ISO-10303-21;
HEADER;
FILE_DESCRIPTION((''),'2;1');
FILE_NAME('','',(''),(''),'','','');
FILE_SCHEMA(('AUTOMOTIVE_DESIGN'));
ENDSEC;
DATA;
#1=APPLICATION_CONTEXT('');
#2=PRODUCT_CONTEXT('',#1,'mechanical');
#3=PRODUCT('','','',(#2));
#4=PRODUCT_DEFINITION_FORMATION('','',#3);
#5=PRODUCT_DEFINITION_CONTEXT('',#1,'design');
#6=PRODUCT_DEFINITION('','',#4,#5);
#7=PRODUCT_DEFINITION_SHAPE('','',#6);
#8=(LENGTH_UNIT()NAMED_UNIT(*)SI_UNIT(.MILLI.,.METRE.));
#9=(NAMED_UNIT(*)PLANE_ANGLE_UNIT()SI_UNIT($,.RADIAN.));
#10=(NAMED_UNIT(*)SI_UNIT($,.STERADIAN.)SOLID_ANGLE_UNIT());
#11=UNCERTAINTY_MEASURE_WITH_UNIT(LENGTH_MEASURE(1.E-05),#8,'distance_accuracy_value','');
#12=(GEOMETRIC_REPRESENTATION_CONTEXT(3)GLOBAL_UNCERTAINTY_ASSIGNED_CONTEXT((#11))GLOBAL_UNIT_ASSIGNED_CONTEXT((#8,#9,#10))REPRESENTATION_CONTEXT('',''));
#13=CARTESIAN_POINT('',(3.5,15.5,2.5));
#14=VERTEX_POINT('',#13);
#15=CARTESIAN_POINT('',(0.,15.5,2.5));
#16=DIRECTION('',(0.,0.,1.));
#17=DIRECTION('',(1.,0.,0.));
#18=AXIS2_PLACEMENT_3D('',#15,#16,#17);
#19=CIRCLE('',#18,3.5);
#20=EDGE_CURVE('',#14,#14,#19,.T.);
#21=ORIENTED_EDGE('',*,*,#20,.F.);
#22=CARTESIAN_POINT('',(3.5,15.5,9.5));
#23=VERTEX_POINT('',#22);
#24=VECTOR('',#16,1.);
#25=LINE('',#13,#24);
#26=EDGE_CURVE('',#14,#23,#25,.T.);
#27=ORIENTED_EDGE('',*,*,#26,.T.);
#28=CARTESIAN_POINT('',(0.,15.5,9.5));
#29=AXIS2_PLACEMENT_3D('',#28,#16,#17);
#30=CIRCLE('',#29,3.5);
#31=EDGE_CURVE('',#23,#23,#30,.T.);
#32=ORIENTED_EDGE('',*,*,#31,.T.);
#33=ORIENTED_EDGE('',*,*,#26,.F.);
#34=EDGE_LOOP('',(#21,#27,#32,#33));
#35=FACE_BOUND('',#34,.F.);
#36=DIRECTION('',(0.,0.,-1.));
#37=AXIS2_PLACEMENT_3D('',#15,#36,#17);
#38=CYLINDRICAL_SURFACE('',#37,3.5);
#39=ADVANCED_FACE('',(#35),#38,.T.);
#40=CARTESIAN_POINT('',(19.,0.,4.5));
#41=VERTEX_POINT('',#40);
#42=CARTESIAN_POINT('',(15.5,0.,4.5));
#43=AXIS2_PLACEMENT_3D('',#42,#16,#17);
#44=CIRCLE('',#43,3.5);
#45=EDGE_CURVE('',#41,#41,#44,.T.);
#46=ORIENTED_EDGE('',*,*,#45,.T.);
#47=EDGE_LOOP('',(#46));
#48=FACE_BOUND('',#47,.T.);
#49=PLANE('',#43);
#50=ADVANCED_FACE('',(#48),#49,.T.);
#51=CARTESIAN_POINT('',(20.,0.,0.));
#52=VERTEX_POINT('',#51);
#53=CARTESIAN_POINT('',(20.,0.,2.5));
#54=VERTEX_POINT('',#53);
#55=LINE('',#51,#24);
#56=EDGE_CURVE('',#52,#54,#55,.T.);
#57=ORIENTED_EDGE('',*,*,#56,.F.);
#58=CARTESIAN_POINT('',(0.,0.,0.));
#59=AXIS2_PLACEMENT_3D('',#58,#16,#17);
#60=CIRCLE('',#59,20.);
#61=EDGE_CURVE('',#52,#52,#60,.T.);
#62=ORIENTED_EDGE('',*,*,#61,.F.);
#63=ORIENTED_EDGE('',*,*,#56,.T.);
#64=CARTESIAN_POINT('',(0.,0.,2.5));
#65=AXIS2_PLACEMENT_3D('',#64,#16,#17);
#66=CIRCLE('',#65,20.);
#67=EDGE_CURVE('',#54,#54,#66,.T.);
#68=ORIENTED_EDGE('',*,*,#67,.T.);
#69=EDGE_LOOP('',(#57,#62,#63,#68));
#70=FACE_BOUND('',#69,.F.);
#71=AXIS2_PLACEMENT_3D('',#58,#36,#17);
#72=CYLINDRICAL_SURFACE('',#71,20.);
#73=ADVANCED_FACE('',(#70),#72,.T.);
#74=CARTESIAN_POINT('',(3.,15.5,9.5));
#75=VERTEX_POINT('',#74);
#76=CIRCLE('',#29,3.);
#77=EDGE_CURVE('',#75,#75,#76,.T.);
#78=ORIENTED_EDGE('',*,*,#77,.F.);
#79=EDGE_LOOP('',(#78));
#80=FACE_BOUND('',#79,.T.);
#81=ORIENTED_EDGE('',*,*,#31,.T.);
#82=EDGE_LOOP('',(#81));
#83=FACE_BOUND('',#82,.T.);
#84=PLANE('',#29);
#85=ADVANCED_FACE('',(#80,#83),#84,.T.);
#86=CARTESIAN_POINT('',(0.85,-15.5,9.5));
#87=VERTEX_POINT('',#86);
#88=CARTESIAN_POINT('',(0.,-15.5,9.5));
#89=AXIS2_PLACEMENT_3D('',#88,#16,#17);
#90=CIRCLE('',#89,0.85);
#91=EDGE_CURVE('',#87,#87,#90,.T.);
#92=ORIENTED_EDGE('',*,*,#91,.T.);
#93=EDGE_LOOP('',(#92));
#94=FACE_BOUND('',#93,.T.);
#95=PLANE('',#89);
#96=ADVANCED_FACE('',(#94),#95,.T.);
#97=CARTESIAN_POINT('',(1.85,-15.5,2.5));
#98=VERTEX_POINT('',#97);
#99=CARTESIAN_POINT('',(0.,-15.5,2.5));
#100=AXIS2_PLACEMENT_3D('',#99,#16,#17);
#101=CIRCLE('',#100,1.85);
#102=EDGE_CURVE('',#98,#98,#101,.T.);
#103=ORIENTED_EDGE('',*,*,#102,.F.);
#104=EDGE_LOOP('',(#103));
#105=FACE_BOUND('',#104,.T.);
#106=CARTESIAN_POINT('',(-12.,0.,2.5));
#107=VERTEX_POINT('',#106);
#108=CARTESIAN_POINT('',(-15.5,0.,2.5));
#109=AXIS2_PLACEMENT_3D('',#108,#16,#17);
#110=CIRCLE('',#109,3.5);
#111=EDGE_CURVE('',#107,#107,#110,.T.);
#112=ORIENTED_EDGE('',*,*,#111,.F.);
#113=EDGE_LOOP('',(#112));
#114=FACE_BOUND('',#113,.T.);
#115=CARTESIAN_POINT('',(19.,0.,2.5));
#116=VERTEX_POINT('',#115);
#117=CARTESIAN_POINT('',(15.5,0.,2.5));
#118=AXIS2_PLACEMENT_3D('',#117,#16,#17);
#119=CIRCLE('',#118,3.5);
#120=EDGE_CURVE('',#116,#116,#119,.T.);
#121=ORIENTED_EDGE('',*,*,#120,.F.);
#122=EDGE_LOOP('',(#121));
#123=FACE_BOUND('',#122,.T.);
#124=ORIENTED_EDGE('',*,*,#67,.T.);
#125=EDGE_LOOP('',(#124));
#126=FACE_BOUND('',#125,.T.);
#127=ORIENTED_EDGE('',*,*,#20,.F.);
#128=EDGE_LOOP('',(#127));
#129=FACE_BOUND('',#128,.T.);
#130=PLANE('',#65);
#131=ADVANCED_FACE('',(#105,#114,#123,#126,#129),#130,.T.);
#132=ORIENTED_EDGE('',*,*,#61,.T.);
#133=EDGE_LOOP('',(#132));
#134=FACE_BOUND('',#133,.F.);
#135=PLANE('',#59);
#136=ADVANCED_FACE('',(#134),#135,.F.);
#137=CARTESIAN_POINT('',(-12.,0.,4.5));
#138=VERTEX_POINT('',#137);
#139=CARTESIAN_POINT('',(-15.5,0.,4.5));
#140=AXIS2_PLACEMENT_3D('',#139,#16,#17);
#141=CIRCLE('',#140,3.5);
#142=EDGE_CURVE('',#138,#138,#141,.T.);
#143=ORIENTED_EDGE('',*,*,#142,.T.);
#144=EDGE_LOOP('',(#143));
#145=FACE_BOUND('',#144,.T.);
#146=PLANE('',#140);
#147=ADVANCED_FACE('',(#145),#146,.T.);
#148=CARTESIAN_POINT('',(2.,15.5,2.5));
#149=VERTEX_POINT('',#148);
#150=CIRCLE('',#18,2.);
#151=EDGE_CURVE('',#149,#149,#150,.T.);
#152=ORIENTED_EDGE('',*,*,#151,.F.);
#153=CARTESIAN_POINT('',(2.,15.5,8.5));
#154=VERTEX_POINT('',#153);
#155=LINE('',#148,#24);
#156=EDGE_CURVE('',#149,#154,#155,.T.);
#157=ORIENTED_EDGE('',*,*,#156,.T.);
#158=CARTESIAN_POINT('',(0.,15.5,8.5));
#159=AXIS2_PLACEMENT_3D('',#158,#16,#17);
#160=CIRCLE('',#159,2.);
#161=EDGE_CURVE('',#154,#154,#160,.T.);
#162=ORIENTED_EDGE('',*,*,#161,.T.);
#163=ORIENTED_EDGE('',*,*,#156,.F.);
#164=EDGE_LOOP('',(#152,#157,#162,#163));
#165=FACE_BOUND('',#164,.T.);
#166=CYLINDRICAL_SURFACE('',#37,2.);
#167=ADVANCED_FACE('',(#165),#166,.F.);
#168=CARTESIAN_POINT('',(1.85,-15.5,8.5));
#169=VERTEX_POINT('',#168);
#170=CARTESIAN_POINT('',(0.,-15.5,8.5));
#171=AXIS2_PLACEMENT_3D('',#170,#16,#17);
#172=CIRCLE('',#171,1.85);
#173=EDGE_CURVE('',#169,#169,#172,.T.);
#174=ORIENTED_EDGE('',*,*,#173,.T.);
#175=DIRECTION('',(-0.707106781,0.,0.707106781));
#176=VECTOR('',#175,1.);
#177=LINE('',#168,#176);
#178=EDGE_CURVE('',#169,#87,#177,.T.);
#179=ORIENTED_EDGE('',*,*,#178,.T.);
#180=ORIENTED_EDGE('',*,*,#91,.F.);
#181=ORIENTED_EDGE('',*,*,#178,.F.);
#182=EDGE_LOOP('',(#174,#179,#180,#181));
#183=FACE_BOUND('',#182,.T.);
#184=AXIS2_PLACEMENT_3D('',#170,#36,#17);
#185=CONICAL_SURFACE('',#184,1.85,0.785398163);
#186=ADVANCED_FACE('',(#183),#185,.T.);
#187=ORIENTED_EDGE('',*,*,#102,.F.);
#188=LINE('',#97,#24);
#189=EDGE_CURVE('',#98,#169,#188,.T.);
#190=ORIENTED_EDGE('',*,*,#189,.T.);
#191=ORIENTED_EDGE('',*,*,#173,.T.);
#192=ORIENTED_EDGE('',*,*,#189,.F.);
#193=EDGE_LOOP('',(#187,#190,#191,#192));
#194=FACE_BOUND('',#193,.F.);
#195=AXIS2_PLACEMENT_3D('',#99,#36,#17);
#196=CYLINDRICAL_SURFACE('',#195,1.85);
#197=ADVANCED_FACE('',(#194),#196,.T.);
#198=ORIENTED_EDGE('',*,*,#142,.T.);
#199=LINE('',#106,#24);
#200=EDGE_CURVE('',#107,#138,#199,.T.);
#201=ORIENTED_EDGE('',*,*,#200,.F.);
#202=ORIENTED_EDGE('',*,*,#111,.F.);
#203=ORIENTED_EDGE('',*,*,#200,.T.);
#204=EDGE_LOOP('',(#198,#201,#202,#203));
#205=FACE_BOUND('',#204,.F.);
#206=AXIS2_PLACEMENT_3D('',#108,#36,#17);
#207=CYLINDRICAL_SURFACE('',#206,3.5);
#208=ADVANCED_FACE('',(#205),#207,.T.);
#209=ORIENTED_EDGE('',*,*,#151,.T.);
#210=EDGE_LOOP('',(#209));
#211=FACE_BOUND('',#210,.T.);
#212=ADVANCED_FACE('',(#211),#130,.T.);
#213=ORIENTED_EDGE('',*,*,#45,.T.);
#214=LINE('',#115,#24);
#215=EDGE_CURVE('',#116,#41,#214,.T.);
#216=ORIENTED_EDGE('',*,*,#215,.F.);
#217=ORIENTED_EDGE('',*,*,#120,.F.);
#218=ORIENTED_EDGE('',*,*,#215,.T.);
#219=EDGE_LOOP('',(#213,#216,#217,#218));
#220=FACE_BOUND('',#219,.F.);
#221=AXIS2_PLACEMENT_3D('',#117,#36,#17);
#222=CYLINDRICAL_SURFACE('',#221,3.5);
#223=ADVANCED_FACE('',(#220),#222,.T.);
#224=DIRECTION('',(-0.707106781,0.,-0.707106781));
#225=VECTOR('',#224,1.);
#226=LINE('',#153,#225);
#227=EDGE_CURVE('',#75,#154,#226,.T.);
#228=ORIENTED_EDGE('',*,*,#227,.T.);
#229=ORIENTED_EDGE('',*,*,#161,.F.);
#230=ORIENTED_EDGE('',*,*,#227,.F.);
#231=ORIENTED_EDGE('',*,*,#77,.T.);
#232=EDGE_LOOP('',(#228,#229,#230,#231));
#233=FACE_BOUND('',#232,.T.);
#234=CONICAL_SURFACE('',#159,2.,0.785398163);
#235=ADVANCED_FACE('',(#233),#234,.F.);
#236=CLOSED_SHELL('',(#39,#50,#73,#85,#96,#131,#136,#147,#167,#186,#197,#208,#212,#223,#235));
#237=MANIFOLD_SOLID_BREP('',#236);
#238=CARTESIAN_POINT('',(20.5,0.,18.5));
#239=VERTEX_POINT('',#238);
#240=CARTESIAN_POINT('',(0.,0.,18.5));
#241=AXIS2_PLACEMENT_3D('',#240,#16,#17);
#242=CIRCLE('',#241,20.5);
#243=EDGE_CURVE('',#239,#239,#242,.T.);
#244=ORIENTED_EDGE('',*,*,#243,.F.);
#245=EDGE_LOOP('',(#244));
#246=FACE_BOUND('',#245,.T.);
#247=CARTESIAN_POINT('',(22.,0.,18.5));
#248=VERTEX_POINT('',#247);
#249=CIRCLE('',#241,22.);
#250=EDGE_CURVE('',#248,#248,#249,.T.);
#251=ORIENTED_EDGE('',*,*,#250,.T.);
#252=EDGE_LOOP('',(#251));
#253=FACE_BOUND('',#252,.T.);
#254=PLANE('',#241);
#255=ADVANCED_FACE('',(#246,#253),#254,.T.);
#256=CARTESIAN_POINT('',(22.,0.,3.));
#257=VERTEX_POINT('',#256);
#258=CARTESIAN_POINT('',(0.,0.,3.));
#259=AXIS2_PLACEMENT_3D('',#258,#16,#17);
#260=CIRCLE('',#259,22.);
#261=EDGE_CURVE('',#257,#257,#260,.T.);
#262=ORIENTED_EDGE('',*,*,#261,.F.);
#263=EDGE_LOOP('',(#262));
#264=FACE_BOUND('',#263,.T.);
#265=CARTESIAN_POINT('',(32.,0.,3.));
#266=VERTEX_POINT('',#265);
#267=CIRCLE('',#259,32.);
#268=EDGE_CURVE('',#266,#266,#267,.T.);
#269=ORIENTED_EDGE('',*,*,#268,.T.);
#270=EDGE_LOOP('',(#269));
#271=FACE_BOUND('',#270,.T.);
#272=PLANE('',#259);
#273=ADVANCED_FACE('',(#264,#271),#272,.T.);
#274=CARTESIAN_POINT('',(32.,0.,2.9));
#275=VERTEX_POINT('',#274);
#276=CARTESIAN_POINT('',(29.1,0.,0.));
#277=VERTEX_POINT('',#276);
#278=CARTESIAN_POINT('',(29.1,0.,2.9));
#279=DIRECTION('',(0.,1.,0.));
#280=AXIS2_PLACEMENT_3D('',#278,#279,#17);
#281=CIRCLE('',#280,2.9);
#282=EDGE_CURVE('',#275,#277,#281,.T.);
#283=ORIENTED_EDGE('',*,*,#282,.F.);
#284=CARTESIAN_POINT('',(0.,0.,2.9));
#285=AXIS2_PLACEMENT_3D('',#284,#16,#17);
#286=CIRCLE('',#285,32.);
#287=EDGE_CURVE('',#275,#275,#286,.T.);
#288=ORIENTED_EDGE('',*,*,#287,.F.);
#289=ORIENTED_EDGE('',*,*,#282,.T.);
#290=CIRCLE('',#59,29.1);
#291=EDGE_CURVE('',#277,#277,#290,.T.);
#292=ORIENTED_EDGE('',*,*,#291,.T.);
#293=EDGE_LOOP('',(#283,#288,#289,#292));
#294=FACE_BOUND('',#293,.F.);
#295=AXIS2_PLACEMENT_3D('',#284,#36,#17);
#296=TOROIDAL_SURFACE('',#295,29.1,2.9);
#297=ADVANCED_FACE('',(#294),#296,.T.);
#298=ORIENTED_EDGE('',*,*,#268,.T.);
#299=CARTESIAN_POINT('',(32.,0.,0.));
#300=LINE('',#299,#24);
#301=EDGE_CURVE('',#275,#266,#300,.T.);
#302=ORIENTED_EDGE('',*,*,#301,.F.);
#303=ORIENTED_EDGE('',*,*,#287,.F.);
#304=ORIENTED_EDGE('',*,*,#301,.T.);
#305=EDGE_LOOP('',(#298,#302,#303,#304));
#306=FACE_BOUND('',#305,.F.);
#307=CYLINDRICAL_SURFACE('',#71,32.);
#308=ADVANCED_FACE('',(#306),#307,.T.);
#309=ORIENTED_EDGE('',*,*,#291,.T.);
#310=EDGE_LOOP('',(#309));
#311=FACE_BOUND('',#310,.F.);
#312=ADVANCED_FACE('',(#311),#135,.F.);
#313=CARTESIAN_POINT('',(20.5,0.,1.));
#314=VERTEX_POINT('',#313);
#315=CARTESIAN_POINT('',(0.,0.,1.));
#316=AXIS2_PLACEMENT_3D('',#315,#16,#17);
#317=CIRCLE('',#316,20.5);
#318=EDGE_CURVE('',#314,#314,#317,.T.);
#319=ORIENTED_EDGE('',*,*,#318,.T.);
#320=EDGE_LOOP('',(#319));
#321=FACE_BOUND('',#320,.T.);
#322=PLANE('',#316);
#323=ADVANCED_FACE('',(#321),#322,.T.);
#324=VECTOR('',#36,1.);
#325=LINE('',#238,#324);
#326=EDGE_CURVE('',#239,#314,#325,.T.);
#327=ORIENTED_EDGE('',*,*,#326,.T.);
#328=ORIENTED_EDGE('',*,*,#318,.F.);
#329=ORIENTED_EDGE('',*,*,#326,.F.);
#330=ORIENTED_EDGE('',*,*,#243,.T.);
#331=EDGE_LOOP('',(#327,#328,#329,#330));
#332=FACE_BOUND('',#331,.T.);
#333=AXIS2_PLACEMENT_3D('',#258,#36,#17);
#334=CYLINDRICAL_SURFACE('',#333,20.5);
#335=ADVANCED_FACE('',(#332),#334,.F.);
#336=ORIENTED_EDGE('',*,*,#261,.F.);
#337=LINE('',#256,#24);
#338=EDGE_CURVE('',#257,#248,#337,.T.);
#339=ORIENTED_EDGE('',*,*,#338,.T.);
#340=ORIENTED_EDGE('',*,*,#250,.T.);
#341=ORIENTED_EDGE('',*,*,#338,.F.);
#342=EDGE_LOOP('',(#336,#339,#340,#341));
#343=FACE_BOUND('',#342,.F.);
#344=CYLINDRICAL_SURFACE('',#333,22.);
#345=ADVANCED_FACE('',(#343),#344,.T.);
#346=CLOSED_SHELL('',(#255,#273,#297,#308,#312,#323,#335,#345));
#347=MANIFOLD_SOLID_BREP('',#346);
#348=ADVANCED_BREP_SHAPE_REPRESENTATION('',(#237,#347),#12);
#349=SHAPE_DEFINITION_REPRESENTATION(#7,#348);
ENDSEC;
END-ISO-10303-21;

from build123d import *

# Parameters (mm, degrees)
SKETCH_R      = 20
PAD_DEPTH     = 2.5
SKETCH001_R   = 3.5
PAD001_DEPTH  = 2
SKETCH002_R   = 3.5
SKETCH002_R_2 = 2
SKETCH002_R_3 = 1.85
PAD002_DEPTH  = 7
CHAMFER_SIZE  = 1
SKETCH003_R   = 32
PAD003_DEPTH  = 3
SKETCH004_R   = 20.5
POCKET_DEPTH  = 2
FILLET_R      = 2.9
SKETCH005_R   = 22
SKETCH005_R_2 = 20.5
PAD004_DEPTH  = 15.5


with BuildPart() as body:
    # Sketch → Pad (new body)
    with BuildSketch(Plane.XY):
        Circle(SKETCH_R)
    extrude(amount=PAD_DEPTH)

    # Sketch001 (on Face3 of Pad) → Pad001 (join)
    with BuildSketch(Plane.XY.offset(2.5)):
        with Locations((-15.5, 0)):
            Circle(SKETCH001_R)
        with Locations((15.5, 0)):
            Circle(SKETCH001_R)
    extrude(amount=PAD001_DEPTH)

    # Sketch002 (on Face3 of Pad001) → Pad002 (join)
    with BuildSketch(Plane.XY.offset(2.5)):
        with Locations((0, 15.5)):
            Circle(SKETCH002_R)
        with Locations((0, 15.5)):
            Circle(SKETCH002_R_2, mode=Mode.SUBTRACT)
        with Locations((0, -15.5)):
            Circle(SKETCH002_R_3)
    extrude(amount=PAD002_DEPTH)

    # Chamfer
    chamfer_edges = [body.edges().sort_by_distance(p)[0] for p in [
        (-1.85, -15.5, 9.5),
        (-2, 15.5, 9.5),
    ]]
    chamfer(chamfer_edges, length=CHAMFER_SIZE)


with BuildPart() as body001:
    # Sketch003 → Pad003 (new body)
    with BuildSketch(Plane.XY):
        Circle(SKETCH003_R)
    extrude(amount=PAD003_DEPTH)

    # Sketch004 (on Face3 of Pad003) → Pocket (cut)
    with BuildSketch(Plane.XY.offset(3)):
        Circle(SKETCH004_R)
    extrude(amount=-POCKET_DEPTH, mode=Mode.SUBTRACT)

    # Fillet
    fillet_edges = [body001.edges().sort_by_distance(p)[0] for p in [
        (-32, 0, 0),
    ]]
    fillet(fillet_edges, radius=FILLET_R)

    # Sketch005 (on Face3 of Fillet) → Pad004 (join)
    with BuildSketch(Plane.XY.offset(3)):
        Circle(SKETCH005_R)
        Circle(SKETCH005_R_2, mode=Mode.SUBTRACT)
    extrude(amount=PAD004_DEPTH)


solid = Compound([body.part, body001.part])
